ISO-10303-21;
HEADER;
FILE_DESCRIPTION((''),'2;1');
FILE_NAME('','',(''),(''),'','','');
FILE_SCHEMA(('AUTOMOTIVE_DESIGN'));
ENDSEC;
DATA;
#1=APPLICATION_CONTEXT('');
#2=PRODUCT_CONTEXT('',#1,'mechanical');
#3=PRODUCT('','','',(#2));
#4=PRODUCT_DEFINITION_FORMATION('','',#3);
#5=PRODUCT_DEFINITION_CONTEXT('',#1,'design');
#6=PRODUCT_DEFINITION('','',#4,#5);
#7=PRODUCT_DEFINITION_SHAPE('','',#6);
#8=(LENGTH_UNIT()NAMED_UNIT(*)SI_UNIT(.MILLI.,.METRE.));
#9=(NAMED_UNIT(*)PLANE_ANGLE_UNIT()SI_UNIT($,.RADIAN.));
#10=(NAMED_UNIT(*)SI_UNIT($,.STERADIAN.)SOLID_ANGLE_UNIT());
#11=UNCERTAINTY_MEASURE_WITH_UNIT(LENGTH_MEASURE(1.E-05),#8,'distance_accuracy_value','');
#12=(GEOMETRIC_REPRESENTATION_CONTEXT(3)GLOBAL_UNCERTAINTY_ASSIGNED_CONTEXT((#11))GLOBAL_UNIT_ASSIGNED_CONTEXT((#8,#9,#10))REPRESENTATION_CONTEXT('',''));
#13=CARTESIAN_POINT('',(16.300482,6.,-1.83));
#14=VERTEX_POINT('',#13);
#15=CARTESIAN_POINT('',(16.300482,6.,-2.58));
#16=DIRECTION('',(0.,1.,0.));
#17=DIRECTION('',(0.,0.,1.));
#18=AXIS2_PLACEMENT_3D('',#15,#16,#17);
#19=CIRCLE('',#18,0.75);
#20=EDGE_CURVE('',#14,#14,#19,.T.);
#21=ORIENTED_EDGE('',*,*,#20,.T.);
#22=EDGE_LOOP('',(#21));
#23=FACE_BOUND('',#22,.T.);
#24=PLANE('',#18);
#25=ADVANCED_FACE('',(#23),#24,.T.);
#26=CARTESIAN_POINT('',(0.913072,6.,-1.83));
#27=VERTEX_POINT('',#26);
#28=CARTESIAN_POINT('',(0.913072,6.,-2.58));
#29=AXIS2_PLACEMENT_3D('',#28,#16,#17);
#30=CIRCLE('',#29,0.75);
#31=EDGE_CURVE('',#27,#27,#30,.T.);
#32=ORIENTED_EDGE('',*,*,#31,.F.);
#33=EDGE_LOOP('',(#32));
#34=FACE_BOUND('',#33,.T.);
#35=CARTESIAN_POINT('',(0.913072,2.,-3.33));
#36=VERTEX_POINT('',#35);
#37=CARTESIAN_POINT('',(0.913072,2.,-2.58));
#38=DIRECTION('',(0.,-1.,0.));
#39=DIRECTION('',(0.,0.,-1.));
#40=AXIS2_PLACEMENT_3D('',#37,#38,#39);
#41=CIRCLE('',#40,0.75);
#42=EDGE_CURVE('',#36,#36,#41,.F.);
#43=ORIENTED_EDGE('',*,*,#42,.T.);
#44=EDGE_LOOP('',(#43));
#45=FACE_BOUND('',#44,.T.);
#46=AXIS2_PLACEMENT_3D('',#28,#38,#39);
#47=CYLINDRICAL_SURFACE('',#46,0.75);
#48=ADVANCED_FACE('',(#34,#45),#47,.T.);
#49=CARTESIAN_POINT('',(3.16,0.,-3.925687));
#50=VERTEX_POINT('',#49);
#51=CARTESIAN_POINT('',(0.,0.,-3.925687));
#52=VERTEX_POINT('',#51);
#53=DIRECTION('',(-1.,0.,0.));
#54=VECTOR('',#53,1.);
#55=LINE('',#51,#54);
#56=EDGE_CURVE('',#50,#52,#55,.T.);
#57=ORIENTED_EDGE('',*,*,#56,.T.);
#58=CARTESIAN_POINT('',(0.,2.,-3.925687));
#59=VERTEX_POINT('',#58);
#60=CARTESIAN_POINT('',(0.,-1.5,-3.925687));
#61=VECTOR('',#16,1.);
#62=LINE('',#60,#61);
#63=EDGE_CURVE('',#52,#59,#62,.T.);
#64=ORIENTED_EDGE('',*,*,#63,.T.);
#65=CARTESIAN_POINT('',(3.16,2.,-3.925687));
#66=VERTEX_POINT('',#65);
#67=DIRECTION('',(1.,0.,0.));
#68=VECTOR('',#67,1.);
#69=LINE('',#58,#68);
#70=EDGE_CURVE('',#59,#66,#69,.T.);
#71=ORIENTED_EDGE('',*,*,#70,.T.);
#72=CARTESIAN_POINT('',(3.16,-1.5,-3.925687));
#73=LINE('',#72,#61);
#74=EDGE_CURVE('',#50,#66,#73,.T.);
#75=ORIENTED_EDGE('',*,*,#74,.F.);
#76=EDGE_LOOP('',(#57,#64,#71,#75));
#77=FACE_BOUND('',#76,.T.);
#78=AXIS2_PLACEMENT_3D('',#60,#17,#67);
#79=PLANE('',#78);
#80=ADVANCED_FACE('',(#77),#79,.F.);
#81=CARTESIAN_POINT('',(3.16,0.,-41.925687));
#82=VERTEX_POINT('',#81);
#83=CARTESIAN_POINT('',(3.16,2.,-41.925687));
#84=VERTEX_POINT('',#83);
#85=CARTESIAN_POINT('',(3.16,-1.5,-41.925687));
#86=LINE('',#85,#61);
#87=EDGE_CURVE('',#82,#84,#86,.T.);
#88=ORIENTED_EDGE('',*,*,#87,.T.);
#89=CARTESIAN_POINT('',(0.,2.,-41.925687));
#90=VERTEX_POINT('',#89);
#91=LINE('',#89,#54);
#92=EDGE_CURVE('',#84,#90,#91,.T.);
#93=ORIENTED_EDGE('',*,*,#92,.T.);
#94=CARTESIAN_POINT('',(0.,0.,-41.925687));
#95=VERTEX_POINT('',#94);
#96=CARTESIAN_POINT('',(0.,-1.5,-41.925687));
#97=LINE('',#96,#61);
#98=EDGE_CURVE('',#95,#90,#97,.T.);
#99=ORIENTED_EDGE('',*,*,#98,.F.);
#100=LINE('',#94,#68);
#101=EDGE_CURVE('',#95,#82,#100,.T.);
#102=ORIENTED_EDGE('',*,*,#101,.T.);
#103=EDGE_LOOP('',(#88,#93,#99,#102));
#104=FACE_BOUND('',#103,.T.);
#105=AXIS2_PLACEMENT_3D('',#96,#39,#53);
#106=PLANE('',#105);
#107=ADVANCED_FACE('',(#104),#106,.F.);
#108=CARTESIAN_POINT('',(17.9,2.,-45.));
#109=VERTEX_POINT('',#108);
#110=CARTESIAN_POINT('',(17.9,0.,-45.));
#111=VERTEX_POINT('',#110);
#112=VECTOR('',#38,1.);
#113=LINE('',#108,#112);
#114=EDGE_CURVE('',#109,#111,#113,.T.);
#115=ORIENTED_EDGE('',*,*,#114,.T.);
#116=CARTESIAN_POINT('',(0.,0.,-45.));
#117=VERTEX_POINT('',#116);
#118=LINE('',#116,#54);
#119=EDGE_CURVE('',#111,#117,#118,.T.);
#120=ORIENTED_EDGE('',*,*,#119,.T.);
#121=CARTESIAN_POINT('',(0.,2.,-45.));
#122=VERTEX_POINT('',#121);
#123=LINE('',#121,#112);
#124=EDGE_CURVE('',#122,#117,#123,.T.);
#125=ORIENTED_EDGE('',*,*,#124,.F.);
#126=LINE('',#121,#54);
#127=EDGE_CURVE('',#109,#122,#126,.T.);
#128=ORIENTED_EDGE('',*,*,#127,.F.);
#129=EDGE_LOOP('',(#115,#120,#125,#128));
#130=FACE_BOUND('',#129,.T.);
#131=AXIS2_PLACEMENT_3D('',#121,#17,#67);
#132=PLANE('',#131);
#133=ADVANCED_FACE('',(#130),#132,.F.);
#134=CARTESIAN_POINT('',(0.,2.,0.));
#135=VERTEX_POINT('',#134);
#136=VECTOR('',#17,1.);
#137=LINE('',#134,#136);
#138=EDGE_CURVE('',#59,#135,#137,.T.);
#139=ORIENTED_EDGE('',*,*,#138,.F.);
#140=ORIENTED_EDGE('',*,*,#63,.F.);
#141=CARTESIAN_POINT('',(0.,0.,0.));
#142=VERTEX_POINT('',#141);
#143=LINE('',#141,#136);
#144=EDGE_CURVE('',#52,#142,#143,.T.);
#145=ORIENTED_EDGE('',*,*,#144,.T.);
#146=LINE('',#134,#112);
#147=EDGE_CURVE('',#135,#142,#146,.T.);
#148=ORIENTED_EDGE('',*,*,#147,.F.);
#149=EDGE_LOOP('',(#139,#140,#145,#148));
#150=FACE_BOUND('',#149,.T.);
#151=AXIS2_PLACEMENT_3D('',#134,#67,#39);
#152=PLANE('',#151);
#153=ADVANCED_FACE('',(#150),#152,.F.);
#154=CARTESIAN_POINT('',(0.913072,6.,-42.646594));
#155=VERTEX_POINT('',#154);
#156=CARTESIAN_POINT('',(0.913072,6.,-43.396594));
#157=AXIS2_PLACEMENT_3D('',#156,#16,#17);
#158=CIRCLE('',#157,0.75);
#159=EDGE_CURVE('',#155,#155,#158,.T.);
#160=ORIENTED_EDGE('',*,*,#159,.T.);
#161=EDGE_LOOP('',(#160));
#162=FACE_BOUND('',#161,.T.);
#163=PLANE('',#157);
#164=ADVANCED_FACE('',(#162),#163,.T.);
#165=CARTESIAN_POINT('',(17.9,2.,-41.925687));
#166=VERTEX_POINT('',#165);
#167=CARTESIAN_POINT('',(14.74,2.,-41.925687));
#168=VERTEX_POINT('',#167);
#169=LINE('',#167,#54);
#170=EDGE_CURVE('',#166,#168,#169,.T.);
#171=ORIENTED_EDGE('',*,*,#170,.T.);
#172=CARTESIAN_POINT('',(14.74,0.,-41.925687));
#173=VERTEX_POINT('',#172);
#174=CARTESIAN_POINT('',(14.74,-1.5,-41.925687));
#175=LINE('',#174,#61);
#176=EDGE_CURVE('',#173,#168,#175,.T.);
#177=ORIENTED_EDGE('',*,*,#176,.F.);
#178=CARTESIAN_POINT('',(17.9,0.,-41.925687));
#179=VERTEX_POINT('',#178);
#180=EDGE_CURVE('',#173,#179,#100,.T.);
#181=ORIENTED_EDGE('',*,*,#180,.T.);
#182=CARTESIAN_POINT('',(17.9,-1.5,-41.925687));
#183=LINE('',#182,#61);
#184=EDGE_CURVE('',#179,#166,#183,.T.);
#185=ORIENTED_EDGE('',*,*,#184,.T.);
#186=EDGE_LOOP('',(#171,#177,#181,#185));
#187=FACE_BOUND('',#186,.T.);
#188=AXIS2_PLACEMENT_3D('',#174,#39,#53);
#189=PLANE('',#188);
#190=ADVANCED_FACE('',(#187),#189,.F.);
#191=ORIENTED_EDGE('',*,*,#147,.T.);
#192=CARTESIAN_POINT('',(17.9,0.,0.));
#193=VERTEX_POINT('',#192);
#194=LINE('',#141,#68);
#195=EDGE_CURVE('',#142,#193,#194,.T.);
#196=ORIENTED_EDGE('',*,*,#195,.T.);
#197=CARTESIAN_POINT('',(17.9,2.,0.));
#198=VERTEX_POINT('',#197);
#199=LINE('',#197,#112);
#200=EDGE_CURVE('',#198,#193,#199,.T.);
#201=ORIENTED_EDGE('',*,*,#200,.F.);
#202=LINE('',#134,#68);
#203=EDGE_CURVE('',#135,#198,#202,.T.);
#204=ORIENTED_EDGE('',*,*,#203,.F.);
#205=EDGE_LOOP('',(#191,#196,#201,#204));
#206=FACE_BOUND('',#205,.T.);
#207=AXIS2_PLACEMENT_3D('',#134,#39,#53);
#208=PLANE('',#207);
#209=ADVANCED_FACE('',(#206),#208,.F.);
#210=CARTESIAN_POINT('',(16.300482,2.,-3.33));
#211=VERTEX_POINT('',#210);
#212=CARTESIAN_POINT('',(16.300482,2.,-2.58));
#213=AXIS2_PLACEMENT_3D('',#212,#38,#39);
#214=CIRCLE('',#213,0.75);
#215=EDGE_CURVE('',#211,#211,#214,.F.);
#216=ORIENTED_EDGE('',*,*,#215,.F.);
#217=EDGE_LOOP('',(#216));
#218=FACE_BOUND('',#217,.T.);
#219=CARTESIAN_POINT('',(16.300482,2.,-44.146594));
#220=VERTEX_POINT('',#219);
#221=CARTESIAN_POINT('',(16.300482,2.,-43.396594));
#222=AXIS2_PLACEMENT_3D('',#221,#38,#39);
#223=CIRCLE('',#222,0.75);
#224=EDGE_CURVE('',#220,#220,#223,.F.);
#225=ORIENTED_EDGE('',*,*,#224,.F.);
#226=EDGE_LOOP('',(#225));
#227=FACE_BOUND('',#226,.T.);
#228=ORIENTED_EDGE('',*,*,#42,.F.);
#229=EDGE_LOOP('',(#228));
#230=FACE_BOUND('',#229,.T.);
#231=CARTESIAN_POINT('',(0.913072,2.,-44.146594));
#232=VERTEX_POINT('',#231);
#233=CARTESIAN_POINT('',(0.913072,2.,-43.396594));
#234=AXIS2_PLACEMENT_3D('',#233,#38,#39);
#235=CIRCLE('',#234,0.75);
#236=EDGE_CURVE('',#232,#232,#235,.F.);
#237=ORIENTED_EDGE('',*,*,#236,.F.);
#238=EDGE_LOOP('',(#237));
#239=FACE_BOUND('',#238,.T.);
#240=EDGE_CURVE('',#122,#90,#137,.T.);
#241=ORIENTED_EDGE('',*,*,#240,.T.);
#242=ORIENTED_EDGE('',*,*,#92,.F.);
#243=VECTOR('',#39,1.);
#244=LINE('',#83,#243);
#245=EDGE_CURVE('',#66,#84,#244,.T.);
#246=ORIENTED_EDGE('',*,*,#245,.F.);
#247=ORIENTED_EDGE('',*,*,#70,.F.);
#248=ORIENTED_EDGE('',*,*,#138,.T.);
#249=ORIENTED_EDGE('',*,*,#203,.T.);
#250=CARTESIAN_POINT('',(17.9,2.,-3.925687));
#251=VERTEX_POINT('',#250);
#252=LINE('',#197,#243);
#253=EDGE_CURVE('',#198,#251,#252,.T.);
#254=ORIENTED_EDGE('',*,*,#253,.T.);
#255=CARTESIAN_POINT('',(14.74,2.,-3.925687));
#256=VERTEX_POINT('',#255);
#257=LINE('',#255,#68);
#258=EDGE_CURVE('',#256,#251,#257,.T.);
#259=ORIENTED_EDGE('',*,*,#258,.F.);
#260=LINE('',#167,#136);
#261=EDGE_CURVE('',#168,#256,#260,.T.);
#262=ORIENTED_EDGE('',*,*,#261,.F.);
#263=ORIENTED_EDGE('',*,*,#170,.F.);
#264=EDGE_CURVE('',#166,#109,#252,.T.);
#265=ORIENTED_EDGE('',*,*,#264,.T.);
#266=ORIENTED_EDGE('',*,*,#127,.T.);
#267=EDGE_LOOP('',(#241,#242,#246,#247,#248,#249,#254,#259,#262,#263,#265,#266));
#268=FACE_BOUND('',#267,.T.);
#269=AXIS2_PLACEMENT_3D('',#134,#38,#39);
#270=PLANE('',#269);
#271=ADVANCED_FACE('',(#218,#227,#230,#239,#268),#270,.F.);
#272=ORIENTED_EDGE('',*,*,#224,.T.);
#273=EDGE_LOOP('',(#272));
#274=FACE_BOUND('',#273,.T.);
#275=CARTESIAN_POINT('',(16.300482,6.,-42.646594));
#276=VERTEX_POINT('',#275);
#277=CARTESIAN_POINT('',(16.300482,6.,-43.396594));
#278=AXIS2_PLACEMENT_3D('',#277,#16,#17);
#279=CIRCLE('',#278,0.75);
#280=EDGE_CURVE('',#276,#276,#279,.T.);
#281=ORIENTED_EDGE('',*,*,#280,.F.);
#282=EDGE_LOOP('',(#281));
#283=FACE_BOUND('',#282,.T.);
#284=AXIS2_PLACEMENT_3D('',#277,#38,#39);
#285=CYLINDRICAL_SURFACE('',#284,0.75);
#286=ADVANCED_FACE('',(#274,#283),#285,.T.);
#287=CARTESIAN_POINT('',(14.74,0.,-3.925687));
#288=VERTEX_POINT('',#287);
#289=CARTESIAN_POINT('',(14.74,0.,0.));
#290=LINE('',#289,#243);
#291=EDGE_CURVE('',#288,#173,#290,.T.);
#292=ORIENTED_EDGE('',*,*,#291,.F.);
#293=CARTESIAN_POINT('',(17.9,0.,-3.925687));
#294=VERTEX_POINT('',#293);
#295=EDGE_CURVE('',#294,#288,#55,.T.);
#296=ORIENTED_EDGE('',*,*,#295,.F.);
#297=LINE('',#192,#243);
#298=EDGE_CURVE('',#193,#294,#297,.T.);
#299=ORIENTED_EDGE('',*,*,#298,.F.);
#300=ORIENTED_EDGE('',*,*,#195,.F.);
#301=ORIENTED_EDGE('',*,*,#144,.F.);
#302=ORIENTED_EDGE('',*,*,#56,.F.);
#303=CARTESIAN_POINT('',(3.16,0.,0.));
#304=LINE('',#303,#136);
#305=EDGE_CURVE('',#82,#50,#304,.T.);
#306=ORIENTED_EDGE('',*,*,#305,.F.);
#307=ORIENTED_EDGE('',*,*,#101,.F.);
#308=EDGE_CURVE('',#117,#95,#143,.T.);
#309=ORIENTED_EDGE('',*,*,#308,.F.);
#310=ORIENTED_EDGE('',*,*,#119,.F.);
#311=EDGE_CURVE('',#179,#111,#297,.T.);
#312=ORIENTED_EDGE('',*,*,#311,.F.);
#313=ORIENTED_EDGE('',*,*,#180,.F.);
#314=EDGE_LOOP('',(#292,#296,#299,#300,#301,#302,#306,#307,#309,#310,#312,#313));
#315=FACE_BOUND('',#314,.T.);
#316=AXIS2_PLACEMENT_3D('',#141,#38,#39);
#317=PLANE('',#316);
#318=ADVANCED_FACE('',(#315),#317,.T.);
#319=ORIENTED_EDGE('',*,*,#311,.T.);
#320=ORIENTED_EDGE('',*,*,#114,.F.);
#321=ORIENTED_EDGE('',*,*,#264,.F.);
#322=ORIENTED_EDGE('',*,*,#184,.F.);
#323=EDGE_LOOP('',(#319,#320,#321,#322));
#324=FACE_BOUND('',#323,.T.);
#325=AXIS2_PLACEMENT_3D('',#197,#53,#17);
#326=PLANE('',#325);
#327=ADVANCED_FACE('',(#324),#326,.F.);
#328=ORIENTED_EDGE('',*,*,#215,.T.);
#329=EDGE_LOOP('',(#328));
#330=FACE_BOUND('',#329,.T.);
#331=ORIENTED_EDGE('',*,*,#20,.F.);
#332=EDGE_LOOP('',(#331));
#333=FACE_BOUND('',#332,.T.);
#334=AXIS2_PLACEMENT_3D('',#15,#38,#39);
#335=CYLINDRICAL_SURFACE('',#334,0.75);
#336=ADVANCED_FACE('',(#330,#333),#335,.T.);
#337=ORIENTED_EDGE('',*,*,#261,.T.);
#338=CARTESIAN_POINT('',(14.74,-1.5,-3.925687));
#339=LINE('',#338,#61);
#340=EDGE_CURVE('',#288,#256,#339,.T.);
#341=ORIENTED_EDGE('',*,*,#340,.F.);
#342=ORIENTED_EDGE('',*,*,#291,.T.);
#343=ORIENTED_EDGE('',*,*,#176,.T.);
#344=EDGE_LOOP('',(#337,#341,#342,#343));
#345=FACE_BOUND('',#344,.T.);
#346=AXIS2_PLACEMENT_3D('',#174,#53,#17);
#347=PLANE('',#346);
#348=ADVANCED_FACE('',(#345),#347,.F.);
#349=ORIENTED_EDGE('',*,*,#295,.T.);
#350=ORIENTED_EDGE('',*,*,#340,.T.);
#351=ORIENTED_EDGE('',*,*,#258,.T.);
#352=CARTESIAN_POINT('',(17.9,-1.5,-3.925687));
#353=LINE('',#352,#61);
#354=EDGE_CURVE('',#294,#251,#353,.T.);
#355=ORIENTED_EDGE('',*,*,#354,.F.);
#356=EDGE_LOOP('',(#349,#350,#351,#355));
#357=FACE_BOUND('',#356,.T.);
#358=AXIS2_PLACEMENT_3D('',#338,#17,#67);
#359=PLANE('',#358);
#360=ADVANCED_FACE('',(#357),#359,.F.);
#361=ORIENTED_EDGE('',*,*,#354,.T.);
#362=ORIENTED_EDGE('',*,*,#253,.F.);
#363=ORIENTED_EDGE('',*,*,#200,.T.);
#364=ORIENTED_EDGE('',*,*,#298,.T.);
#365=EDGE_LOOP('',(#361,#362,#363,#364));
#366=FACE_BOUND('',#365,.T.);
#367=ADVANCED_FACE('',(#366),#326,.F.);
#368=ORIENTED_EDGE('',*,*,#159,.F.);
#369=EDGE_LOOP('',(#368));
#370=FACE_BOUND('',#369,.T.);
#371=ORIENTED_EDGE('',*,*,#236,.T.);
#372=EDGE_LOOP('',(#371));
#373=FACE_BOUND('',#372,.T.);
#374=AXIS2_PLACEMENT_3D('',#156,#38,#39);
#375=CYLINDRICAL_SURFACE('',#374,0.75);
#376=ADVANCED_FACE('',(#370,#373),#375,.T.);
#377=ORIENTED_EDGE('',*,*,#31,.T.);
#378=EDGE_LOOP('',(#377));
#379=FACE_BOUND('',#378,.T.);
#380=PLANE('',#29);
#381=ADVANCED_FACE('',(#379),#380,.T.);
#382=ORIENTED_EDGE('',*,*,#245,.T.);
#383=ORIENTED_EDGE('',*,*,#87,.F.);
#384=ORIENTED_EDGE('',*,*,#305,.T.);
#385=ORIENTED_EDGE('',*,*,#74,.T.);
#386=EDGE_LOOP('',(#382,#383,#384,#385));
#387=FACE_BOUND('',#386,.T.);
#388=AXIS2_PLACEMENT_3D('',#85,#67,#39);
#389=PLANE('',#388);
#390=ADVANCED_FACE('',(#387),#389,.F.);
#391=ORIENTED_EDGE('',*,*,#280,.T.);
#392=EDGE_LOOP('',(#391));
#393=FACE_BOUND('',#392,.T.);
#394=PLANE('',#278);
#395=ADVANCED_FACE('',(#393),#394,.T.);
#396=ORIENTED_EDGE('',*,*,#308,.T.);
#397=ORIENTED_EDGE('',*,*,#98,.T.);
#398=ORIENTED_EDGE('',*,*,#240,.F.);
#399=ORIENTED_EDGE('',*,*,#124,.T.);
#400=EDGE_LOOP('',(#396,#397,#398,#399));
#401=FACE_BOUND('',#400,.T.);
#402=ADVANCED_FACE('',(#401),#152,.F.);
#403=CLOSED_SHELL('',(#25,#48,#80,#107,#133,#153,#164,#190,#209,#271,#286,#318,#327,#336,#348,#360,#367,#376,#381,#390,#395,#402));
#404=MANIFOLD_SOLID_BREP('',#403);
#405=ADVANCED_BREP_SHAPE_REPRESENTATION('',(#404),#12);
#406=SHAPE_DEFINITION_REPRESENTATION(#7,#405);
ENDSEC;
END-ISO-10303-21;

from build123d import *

# Parameters (mm, degrees)
SKETCH1_W           = 17.9
SKETCH1_H           = 45
BOSS_EXTRUDE1_DEPTH = 2
SKETCH2_R           = 0.75
BOSS_EXTRUDE2_DEPTH = 4
SKETCH4_W           = 3.16
SKETCH4_H           = 38
CUT_EXTRUDE1_DEPTH  = 3.5


with BuildPart() as part:
    # Sketch1 → Boss-Extrude1 (new body)
    with BuildSketch(Plane(origin=(0, 0, 0), x_dir=(1, 0, 0), z_dir=(0, 1, 0))):
        with Locations((8.95, 22.5)):
            Rectangle(SKETCH1_W, SKETCH1_H)
    extrude(amount=BOSS_EXTRUDE1_DEPTH)

    # Sketch2 → Boss-Extrude2 (add)
    with BuildSketch(Plane(origin=(0, 2, 0), x_dir=(1, 0, 0), z_dir=(0, 1, 0))):
        with Locations((0.913071853, 43.396593807)):
            Circle(SKETCH2_R)
        with Locations((16.300481816, 43.396593807)):
            Circle(SKETCH2_R)
        with Locations((16.300481816, 2.58)):
            Circle(SKETCH2_R)
        with Locations((0.913071853, 2.58)):
            Circle(SKETCH2_R)
    extrude(amount=BOSS_EXTRUDE2_DEPTH)

    # Sketch4 → Cut-Extrude1 (cut)
    with BuildSketch(Plane(origin=(0, 2, 0), x_dir=(1, 0, 0), z_dir=(0, 1, 0))):
        with Locations((1.58, 22.925686587)):
            Rectangle(SKETCH4_W, SKETCH4_H)
        with Locations((16.32, 22.925686587)):
            Rectangle(SKETCH4_W, SKETCH4_H)
    extrude(amount=-CUT_EXTRUDE1_DEPTH, mode=Mode.SUBTRACT)


solid = part.part
